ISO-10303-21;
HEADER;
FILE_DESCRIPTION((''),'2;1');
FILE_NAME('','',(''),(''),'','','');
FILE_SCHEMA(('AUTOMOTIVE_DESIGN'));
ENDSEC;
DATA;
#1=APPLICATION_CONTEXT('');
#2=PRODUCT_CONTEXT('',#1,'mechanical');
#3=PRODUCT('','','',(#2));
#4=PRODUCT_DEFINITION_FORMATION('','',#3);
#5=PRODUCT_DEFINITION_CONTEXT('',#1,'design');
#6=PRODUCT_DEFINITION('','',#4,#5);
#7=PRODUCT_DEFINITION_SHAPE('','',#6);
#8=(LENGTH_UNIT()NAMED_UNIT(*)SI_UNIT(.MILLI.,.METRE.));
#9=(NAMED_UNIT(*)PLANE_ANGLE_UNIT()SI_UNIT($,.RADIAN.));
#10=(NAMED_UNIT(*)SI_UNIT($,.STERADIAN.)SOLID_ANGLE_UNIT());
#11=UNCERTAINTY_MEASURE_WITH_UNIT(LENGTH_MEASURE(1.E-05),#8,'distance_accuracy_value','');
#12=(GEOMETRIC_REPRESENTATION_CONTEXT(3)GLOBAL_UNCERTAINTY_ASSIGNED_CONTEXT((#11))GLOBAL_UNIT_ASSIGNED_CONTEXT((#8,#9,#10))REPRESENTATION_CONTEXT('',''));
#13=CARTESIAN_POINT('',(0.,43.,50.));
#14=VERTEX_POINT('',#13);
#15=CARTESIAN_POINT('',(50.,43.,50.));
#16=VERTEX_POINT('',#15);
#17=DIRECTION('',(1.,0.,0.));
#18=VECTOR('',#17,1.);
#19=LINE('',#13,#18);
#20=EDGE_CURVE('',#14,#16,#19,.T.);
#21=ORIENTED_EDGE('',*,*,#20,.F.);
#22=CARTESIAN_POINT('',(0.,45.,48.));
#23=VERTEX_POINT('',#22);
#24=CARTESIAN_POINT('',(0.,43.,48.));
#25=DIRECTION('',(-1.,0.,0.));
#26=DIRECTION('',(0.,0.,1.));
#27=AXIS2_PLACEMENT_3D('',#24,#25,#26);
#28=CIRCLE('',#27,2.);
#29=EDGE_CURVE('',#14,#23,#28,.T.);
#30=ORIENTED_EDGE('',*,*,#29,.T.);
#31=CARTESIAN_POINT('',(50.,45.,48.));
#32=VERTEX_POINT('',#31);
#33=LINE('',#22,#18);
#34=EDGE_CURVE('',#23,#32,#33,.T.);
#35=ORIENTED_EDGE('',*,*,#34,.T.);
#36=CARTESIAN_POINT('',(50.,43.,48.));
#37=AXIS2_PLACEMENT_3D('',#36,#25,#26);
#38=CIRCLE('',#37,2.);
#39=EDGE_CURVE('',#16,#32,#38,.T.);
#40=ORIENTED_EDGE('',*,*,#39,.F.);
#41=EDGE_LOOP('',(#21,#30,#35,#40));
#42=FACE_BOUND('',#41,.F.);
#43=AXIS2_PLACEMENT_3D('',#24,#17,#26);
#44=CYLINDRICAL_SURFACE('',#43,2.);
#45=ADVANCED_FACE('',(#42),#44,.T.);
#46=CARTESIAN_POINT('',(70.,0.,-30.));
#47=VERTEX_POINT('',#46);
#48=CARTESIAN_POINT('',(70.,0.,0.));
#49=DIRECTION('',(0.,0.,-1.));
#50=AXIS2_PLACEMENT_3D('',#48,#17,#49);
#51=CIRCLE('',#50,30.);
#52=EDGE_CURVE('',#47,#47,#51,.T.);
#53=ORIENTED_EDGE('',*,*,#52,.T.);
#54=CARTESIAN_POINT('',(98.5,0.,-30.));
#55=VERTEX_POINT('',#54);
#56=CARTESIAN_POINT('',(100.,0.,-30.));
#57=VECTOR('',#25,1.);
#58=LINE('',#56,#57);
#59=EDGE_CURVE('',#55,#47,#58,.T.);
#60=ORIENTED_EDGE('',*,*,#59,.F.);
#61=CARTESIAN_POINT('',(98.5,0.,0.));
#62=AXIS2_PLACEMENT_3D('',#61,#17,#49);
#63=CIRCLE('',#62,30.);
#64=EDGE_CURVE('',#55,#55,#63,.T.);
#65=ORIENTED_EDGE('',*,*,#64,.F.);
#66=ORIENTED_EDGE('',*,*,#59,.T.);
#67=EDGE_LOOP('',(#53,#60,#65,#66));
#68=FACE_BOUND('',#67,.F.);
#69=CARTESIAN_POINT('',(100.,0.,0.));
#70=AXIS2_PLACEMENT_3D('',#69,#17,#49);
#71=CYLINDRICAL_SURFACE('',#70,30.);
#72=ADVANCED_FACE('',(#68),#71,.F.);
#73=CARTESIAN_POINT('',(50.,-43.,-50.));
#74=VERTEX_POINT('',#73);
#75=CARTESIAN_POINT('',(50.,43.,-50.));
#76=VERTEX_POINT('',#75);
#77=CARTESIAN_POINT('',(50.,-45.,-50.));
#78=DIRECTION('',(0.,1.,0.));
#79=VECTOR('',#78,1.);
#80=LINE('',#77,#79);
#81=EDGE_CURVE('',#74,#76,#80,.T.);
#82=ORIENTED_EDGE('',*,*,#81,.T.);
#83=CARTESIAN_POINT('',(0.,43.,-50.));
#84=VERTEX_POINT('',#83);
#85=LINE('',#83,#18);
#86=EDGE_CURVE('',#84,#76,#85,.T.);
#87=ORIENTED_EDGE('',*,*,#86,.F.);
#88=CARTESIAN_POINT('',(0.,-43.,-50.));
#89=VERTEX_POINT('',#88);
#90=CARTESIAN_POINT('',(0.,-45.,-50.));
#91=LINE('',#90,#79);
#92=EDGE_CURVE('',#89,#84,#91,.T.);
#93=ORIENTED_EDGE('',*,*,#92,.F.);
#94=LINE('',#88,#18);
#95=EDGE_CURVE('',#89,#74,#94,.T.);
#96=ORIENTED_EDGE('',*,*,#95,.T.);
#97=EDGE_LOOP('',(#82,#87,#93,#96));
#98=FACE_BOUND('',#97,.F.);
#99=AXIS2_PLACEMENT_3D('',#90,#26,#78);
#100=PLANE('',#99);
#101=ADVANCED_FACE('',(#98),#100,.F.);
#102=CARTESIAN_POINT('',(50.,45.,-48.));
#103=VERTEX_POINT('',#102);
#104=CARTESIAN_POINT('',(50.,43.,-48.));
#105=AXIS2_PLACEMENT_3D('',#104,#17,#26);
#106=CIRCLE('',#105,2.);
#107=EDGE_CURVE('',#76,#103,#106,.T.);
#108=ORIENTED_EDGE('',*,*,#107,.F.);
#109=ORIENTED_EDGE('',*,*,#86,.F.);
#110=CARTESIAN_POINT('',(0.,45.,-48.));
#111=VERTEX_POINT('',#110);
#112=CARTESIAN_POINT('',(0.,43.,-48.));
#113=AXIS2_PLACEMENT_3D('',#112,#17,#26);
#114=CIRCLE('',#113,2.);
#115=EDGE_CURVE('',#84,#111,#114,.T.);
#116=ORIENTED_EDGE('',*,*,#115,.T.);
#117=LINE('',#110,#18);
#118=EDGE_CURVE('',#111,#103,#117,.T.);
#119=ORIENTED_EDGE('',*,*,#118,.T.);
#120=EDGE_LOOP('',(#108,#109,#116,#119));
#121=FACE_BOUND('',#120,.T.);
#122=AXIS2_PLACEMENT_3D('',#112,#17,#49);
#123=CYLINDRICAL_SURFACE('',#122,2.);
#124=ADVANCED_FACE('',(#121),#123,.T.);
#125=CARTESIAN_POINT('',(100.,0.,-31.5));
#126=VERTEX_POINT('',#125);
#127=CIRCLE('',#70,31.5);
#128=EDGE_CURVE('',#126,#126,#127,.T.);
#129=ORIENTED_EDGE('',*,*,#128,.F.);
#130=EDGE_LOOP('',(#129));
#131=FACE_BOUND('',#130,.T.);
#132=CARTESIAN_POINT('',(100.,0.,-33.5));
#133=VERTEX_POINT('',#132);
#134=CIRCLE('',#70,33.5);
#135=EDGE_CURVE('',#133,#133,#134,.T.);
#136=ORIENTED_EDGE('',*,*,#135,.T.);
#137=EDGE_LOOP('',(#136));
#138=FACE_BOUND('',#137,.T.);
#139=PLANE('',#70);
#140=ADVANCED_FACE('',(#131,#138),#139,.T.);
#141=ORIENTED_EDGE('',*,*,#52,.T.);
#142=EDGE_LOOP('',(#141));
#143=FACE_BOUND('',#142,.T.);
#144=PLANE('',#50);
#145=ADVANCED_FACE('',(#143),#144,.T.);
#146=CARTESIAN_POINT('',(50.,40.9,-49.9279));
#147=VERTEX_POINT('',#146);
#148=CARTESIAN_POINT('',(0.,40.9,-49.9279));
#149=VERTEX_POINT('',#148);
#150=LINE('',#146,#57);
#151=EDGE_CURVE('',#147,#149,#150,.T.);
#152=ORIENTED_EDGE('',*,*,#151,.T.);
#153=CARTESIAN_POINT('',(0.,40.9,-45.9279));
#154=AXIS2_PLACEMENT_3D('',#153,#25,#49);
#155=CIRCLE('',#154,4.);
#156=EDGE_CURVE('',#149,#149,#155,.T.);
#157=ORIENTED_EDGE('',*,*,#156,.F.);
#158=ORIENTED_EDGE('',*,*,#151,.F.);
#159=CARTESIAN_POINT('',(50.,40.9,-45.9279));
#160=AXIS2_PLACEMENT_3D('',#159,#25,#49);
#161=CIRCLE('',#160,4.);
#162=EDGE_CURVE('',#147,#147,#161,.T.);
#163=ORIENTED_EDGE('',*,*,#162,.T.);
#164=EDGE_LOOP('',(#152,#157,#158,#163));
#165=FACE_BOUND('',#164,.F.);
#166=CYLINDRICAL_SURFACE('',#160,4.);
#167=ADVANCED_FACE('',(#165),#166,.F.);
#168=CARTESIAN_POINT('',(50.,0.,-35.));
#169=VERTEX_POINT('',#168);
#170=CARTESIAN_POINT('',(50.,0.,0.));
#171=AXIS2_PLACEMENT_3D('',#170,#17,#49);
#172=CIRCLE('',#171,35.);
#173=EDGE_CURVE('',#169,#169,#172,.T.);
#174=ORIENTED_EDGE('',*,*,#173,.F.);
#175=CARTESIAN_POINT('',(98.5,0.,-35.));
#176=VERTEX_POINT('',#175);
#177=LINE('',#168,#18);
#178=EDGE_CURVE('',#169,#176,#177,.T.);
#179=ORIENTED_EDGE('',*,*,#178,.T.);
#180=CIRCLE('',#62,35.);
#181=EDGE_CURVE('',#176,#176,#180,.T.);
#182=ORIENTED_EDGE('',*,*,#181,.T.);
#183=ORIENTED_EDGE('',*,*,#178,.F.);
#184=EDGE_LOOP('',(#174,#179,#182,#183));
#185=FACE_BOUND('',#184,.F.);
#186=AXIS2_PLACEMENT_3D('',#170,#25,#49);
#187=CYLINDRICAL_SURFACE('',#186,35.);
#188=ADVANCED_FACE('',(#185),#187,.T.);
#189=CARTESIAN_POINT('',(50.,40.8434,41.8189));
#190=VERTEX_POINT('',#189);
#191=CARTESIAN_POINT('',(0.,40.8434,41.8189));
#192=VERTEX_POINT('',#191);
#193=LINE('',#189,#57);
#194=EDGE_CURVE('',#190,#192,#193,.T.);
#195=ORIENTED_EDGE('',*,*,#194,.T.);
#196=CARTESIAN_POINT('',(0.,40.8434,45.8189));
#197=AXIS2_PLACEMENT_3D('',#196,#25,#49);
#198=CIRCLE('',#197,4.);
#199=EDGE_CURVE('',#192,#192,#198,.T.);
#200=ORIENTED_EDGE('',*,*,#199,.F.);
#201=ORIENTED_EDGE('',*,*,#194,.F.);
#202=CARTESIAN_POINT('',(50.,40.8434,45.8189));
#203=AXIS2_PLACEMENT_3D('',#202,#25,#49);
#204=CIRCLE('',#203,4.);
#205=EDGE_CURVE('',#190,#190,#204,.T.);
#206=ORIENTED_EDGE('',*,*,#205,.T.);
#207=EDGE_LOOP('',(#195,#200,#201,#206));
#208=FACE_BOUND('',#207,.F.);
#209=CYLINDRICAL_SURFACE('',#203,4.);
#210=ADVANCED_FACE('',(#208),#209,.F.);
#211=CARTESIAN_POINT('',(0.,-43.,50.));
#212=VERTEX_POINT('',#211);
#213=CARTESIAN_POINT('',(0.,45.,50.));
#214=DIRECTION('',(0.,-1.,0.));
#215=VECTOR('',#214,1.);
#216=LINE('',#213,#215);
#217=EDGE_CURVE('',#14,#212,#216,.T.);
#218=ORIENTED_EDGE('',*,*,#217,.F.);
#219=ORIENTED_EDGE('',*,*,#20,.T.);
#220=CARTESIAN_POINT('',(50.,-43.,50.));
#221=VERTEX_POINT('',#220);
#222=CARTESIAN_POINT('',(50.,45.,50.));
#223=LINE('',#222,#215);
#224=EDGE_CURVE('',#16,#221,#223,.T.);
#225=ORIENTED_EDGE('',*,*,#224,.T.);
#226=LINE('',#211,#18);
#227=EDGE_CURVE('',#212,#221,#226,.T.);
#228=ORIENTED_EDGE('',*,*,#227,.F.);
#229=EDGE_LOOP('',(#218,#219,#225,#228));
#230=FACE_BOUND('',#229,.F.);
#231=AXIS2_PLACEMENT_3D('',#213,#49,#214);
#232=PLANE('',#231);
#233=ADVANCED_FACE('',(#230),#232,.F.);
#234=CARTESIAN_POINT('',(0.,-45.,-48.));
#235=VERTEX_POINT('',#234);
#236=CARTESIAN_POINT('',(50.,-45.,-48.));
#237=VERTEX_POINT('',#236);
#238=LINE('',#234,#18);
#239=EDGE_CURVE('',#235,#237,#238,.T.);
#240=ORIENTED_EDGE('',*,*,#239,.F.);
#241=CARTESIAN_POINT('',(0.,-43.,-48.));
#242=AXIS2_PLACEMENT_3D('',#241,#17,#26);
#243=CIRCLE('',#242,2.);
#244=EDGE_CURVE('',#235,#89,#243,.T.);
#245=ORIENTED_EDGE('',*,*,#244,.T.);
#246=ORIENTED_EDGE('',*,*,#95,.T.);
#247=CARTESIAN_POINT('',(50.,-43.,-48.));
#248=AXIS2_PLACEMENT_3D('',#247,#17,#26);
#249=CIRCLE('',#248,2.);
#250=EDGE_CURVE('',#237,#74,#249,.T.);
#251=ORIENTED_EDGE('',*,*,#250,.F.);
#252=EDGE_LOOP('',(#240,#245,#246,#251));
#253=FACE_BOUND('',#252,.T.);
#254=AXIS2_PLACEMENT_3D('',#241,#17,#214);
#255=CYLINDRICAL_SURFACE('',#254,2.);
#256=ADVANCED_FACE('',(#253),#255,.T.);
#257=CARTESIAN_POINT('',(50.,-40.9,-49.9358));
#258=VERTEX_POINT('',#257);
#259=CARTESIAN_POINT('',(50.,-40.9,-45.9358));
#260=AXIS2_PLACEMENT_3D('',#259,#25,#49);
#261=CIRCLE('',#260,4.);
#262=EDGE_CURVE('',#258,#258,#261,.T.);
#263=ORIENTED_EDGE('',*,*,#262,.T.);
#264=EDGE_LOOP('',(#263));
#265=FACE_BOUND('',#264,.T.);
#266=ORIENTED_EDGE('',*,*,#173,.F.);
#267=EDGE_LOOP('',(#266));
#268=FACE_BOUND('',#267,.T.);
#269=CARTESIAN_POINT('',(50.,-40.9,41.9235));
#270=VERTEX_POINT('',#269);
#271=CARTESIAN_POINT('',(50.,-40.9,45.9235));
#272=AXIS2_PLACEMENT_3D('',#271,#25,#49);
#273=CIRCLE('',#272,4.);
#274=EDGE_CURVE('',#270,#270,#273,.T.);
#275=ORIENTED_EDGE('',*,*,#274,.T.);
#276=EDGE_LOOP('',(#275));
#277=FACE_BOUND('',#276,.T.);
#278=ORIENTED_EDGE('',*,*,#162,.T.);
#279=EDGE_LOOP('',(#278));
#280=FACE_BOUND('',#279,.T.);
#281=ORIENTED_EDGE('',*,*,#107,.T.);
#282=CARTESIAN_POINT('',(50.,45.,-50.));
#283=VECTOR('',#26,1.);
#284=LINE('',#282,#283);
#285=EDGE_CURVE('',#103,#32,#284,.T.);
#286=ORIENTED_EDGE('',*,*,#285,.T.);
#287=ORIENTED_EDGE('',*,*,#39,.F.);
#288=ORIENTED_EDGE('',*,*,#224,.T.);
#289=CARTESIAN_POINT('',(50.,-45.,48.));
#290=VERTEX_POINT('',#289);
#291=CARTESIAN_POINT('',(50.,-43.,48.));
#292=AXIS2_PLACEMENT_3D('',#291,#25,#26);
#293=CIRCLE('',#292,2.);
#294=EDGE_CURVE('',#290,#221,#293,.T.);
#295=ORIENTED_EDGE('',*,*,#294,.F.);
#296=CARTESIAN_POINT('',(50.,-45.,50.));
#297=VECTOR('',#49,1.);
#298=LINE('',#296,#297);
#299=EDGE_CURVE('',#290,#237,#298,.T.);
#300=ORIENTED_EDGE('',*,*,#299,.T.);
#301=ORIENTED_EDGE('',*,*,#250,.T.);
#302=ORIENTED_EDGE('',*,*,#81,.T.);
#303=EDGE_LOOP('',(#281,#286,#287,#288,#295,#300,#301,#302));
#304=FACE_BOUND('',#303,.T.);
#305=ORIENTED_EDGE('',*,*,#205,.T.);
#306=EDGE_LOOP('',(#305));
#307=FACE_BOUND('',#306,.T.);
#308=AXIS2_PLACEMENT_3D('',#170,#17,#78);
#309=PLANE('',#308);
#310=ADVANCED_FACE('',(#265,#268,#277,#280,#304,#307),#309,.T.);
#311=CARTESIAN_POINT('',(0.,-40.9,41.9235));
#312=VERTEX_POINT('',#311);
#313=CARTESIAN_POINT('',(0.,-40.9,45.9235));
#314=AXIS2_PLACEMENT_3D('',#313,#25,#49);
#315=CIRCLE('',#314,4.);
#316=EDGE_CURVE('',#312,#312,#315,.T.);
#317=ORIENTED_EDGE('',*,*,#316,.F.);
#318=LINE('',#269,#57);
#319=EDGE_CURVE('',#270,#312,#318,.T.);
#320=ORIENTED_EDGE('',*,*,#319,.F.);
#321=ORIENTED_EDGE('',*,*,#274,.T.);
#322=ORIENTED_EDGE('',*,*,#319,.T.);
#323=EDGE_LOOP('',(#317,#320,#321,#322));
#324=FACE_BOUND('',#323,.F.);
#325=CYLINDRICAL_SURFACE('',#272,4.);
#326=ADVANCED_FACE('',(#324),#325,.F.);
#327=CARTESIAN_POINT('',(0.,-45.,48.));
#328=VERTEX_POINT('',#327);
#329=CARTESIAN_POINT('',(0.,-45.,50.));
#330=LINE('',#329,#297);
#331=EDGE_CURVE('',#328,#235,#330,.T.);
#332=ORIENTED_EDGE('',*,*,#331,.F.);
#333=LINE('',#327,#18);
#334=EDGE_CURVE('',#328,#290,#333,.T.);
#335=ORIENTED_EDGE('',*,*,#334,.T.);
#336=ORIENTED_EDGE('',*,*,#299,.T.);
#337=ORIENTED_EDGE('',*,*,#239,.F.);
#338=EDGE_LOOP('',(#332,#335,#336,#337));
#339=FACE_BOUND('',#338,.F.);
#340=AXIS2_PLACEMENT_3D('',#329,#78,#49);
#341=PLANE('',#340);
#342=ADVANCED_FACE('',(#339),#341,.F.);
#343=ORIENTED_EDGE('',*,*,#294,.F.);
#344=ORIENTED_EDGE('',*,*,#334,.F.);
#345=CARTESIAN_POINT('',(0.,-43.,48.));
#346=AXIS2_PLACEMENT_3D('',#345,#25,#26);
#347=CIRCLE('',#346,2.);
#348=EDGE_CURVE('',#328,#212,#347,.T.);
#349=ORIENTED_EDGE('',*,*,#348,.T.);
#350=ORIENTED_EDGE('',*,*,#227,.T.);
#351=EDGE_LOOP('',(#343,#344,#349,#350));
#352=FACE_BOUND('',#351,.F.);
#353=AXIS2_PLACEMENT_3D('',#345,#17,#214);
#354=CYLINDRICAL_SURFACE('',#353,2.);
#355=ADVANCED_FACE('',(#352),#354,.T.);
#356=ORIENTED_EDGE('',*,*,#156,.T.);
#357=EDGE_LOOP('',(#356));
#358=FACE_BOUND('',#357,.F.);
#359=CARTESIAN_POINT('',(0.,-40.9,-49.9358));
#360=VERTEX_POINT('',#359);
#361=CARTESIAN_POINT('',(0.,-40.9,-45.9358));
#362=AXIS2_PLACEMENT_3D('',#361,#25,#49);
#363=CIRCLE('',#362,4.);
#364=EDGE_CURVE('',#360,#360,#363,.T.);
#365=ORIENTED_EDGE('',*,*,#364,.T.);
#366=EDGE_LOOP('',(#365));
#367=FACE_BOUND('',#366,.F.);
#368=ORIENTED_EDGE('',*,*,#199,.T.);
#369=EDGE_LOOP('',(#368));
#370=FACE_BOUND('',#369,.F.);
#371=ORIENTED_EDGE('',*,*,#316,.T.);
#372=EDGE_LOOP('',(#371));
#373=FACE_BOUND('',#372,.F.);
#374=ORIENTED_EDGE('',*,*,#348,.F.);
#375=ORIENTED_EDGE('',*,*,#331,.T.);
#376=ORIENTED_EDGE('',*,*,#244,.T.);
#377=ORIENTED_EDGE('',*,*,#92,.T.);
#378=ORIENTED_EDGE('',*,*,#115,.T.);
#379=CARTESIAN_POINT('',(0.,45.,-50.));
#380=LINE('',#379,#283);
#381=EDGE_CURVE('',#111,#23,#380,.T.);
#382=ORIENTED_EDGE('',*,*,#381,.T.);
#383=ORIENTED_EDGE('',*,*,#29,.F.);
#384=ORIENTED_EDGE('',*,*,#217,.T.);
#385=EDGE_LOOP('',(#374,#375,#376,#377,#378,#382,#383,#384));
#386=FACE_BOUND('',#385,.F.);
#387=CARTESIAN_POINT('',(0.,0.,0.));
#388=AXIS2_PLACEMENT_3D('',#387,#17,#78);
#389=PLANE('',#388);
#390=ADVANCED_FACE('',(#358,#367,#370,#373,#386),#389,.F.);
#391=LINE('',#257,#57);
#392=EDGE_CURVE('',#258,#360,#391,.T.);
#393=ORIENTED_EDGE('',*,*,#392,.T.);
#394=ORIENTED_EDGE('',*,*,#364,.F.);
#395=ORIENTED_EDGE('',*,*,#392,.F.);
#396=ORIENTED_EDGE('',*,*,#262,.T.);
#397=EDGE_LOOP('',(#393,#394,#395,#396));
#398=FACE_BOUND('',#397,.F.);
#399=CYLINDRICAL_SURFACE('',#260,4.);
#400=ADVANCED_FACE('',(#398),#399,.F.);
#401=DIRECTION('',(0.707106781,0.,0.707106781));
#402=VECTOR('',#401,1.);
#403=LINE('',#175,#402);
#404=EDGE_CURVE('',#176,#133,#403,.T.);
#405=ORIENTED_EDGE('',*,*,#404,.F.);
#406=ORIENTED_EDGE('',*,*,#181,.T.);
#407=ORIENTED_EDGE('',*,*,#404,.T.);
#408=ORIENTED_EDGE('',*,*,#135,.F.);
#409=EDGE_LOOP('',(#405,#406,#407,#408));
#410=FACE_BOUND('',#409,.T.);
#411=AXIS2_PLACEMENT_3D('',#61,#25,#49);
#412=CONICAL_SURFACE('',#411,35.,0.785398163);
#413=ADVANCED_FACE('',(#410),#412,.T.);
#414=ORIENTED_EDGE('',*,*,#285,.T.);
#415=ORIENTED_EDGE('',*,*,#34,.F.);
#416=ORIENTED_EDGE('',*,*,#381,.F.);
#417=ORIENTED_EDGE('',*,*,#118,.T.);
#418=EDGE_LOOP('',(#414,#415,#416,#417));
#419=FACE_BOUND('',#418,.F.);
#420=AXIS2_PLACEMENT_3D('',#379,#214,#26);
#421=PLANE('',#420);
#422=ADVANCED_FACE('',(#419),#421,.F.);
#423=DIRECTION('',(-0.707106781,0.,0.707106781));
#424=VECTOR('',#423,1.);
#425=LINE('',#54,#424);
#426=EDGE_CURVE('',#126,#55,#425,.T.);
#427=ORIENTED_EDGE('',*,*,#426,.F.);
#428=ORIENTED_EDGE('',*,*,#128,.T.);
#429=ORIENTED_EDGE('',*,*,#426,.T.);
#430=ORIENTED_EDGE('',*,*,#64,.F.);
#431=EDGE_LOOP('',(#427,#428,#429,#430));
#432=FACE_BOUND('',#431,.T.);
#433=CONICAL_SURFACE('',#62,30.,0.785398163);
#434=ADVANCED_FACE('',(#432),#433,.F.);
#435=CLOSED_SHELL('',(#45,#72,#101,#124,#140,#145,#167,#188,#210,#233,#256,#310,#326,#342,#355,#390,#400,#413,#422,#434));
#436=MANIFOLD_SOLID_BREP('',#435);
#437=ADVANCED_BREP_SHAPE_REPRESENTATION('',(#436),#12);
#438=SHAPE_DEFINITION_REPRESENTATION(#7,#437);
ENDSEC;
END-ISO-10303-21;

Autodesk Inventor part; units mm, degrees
ref_plane "YZ Plane" through (0, 0, 0) normal (1, 0, 0) x (0, 1, 0)
ref_plane "XZ Plane" through (0, 0, 0) normal (0, 1, 0) x (-1, 0, 0)
ref_plane "XY Plane" through (0, 0, 0) normal (0, 0, 1) x (1, 0, 0)
sketch "Boceto1" plane through (0, 0, 0) normal (1, 0, 0) x (0, 1, 0)
  line L0 (-45, -50) -> (45, -50)
  line L1 (45, -50) -> (45, 50)
  line L2 (45, 50) -> (-45, 50)
  line L3 (-45, 50) -> (-45, -50)
  line L4 (-45, -50) -> (45, 50) construction
  line L5 (45, -50) -> (-45, 50) construction
  point P0 (0, 0)
  dimension "d0" = 90
  dimension "d1" = 100
extrude "Extrusión1" add sketch "Boceto1" along normal blind 50
sketch "Boceto2" plane through (50, 0, 0) normal (1, 0, 0) x (0, 0, -1)
  circle A0 centre (0, 0) radius 35
  dimension "d4" = 70
extrude "Extrusión2" add sketch "Boceto2" along normal blind 50
sketch "Boceto3" plane through (100, 0, 0) normal (1, 0, 0) x (0, 0, -1)
  circle A0 centre (0, 0) radius 30
  dimension "d7" = 60
extrude "Extrusión3" cut sketch "Boceto3" against normal blind 30
chamfer "Chaflán1" distance 1.5 angle 45 2 edges at (100, 0, 35) (100, 0, 30)
sketch "Boceto4" plane through (50, 0, 0) normal (1, 0, 0) x (0, 0, -1)
  point P0 (0, 0)
fillet "Empalme1" radius 2 4 edges at (25, 45, 50) (25, -45, 50) (25, 45, -50) (25, -45, -50)
sketch "Boceto5" plane through (50, 0, 0) normal (1, 0, 0) x (0, 0, -1)
  point P0 (0, 0)
  point P1 (-45.8189, 40.8434)
hole "Agujero1" at (50, 40.8434, 45.8189) direction (-1, 0, 0) diameter 8 end through all
sketch "Boceto6" plane through (50, 0, 0) normal (1, 0, 0) x (0, 0, -1)
  line L0 (48, 45) -> (-48, 45) projected
  point P0 (0, 0)
  point P1 (45.9279, 40.9)
  dimension "d21" = 4.1
hole "Agujero2" at (50, 40.9, -45.9279) direction (-1, 0, 0) diameter 8 end through all
sketch "Boceto7" plane through (50, 0, 0) normal (1, 0, 0) x (0, 0, -1)
  line L0 (-48, -45) -> (48, -45) projected
  point P0 (0, 0)
  point P1 (-45.9235, -40.9)
  dimension "d29" = 4.1
hole "Agujero3" at (50, -40.9, 45.9235) direction (-1, 0, 0) diameter 8 end through all
sketch "Boceto8" plane through (50, 0, 0) normal (1, 0, 0) x (0, 0, -1)
  line L0 (-48, -45) -> (48, -45) projected
  point P0 (0, 0)
  point P1 (45.9358, -40.9)
  dimension "d37" = 4.1
hole "Agujero4" at (50, -40.9, -45.9358) direction (-1, 0, 0) diameter 8 end through all
properties part number "TAREA 1 LAB DINAMICA 1168717"
